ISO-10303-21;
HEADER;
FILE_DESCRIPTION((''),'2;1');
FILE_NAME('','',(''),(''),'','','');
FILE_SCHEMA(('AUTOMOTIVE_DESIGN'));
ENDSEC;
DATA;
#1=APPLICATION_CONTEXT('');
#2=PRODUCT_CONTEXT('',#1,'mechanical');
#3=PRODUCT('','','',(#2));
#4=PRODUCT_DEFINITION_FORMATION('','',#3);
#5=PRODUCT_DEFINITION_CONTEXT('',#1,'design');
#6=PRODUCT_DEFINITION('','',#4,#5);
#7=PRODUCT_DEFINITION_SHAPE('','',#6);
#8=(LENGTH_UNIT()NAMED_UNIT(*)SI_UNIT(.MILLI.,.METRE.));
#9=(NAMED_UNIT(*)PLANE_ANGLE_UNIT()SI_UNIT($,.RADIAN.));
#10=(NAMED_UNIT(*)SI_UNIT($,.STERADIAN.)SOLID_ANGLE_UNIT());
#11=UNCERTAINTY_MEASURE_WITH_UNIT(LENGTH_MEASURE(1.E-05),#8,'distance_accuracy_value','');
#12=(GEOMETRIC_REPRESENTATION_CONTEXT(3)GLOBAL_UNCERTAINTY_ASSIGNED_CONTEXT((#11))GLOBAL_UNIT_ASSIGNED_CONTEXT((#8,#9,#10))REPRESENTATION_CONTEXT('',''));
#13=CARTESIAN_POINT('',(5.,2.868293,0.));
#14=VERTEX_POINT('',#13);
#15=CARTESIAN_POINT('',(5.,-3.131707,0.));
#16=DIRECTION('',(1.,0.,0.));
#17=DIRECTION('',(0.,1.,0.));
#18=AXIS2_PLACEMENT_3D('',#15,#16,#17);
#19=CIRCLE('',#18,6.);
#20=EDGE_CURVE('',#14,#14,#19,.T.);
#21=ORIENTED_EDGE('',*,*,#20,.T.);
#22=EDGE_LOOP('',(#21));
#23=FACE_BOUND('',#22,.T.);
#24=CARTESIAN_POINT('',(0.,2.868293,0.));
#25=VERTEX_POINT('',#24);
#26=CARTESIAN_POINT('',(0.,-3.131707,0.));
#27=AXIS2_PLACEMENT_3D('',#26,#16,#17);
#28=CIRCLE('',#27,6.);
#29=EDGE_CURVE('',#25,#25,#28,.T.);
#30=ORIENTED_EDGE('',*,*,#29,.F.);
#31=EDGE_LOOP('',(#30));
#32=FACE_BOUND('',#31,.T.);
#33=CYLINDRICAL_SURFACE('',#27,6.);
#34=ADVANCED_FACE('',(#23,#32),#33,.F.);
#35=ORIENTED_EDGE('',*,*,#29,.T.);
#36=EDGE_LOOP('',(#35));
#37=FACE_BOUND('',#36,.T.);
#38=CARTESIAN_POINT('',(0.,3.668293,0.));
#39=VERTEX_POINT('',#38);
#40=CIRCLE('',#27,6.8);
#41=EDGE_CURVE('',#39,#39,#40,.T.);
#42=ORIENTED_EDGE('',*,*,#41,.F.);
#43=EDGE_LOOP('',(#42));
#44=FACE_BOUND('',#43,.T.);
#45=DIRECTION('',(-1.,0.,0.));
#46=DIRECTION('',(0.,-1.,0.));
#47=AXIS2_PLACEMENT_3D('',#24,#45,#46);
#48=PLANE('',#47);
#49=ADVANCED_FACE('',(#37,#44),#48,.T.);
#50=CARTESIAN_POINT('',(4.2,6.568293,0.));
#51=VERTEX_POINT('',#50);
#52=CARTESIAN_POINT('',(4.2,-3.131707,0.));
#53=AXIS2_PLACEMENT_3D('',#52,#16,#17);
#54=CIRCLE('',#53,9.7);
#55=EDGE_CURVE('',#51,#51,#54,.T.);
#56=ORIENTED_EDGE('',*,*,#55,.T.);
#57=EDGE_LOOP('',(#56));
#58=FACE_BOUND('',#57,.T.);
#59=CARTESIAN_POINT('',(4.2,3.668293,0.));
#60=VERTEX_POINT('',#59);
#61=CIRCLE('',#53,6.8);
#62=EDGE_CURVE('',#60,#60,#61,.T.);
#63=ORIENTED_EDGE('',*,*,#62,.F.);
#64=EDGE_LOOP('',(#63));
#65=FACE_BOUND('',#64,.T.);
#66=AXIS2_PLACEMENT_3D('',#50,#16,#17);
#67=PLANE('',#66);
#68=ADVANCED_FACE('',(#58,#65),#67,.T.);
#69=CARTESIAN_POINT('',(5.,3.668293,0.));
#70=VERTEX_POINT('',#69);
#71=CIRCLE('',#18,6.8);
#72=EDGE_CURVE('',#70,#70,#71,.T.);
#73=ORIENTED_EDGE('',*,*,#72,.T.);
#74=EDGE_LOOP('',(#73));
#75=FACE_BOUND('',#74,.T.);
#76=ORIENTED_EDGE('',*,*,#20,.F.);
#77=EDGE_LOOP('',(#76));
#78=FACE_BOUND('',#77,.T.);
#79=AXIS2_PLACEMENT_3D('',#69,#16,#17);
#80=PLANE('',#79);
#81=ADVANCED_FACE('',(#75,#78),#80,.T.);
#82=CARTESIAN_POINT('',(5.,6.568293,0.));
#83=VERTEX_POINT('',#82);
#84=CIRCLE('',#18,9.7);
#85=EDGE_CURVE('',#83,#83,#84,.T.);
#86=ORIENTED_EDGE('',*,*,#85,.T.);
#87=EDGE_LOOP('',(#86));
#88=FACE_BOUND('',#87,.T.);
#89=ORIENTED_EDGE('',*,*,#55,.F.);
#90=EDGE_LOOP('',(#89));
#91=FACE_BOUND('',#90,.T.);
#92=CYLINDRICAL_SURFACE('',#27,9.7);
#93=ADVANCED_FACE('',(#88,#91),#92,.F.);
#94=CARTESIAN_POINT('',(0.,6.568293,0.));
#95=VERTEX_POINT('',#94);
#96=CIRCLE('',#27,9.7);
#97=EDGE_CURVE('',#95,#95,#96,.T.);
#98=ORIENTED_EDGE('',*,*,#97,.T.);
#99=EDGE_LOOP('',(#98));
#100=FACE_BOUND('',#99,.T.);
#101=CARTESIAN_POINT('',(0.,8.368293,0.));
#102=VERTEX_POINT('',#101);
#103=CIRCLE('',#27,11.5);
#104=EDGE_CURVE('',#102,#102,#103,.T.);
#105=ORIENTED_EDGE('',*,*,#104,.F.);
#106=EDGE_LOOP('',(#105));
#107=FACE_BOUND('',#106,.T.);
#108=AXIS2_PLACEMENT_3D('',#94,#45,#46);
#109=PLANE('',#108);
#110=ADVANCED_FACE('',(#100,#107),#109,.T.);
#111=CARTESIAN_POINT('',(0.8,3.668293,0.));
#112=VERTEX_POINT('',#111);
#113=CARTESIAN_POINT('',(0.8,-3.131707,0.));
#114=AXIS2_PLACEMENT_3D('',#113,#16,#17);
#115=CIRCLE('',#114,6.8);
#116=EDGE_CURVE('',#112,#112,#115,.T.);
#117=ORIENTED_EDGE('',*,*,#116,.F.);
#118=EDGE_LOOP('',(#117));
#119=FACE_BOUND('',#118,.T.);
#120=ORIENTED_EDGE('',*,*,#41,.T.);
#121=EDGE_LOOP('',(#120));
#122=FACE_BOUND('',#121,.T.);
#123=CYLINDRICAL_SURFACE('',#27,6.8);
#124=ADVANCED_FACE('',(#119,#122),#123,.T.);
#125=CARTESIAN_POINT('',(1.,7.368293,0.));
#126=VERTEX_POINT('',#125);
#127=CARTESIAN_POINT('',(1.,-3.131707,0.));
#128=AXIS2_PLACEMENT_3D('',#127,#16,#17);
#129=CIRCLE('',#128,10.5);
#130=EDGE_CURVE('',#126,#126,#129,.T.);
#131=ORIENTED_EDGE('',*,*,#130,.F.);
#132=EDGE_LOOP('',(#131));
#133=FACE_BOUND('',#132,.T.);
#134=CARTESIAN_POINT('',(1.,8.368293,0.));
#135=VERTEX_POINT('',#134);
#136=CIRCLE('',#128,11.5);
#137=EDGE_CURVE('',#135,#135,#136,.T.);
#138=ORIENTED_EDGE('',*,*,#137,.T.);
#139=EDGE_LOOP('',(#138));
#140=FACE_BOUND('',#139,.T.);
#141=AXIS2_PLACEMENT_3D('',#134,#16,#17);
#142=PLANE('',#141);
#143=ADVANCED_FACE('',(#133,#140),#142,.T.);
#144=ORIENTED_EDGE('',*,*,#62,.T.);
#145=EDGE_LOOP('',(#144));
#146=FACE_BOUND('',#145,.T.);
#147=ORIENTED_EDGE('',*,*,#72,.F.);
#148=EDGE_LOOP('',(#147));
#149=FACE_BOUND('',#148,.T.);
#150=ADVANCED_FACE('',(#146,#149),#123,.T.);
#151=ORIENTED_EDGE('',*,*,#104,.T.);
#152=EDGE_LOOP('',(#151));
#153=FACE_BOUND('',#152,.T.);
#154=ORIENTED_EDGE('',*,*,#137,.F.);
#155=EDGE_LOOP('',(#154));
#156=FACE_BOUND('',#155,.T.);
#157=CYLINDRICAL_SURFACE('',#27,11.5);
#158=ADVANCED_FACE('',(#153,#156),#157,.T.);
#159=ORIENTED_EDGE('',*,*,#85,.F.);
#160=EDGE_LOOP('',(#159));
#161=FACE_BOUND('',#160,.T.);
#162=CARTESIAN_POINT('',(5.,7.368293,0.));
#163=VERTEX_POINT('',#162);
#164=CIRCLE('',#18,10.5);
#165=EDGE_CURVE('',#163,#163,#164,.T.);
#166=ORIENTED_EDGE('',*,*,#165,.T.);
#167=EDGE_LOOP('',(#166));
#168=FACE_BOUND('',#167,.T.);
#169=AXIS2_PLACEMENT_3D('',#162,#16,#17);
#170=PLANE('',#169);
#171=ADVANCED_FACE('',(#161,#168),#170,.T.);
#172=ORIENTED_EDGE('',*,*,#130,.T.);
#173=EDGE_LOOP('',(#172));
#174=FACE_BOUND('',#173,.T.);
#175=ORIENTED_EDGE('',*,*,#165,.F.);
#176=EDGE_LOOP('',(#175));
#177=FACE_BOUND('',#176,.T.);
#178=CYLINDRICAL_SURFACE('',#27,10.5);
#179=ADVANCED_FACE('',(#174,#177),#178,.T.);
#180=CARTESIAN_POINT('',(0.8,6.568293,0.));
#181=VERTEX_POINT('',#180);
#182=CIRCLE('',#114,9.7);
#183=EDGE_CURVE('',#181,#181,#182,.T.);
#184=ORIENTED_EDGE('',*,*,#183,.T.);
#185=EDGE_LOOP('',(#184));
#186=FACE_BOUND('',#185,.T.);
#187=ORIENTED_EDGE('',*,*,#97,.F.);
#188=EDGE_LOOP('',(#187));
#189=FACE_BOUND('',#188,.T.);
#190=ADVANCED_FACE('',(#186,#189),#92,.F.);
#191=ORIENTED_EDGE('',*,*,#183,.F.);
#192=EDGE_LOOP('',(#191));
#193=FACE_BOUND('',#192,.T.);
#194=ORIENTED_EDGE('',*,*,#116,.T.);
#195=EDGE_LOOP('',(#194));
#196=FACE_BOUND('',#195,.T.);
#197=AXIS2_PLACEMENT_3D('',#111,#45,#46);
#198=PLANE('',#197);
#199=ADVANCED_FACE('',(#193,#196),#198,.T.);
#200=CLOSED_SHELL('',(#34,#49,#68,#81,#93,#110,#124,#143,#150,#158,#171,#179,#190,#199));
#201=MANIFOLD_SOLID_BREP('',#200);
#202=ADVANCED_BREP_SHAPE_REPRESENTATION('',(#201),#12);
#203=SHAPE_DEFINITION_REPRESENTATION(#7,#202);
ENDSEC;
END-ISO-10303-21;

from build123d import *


with BuildPart() as part:
    # 草图1 → 旋转1 (revolve)
    with BuildSketch(Plane.XY):
        Polygon((0, 8.368292683), (1, 8.368292683), (1, 7.368292683), (5, 7.368292683), (5, 6.568292683), (4.2, 6.568292683), (4.2, 3.668292683), (5, 3.668292683), (5, 2.868292683), (0, 2.868292683), (0, 3.668292683), (0.8, 3.668292683), (0.8, 6.568292683), (0, 6.568292683), align=None)
    revolve(axis=Axis((0, -3.131707317, 0), (-1, 0, 0)))


solid = part.part
